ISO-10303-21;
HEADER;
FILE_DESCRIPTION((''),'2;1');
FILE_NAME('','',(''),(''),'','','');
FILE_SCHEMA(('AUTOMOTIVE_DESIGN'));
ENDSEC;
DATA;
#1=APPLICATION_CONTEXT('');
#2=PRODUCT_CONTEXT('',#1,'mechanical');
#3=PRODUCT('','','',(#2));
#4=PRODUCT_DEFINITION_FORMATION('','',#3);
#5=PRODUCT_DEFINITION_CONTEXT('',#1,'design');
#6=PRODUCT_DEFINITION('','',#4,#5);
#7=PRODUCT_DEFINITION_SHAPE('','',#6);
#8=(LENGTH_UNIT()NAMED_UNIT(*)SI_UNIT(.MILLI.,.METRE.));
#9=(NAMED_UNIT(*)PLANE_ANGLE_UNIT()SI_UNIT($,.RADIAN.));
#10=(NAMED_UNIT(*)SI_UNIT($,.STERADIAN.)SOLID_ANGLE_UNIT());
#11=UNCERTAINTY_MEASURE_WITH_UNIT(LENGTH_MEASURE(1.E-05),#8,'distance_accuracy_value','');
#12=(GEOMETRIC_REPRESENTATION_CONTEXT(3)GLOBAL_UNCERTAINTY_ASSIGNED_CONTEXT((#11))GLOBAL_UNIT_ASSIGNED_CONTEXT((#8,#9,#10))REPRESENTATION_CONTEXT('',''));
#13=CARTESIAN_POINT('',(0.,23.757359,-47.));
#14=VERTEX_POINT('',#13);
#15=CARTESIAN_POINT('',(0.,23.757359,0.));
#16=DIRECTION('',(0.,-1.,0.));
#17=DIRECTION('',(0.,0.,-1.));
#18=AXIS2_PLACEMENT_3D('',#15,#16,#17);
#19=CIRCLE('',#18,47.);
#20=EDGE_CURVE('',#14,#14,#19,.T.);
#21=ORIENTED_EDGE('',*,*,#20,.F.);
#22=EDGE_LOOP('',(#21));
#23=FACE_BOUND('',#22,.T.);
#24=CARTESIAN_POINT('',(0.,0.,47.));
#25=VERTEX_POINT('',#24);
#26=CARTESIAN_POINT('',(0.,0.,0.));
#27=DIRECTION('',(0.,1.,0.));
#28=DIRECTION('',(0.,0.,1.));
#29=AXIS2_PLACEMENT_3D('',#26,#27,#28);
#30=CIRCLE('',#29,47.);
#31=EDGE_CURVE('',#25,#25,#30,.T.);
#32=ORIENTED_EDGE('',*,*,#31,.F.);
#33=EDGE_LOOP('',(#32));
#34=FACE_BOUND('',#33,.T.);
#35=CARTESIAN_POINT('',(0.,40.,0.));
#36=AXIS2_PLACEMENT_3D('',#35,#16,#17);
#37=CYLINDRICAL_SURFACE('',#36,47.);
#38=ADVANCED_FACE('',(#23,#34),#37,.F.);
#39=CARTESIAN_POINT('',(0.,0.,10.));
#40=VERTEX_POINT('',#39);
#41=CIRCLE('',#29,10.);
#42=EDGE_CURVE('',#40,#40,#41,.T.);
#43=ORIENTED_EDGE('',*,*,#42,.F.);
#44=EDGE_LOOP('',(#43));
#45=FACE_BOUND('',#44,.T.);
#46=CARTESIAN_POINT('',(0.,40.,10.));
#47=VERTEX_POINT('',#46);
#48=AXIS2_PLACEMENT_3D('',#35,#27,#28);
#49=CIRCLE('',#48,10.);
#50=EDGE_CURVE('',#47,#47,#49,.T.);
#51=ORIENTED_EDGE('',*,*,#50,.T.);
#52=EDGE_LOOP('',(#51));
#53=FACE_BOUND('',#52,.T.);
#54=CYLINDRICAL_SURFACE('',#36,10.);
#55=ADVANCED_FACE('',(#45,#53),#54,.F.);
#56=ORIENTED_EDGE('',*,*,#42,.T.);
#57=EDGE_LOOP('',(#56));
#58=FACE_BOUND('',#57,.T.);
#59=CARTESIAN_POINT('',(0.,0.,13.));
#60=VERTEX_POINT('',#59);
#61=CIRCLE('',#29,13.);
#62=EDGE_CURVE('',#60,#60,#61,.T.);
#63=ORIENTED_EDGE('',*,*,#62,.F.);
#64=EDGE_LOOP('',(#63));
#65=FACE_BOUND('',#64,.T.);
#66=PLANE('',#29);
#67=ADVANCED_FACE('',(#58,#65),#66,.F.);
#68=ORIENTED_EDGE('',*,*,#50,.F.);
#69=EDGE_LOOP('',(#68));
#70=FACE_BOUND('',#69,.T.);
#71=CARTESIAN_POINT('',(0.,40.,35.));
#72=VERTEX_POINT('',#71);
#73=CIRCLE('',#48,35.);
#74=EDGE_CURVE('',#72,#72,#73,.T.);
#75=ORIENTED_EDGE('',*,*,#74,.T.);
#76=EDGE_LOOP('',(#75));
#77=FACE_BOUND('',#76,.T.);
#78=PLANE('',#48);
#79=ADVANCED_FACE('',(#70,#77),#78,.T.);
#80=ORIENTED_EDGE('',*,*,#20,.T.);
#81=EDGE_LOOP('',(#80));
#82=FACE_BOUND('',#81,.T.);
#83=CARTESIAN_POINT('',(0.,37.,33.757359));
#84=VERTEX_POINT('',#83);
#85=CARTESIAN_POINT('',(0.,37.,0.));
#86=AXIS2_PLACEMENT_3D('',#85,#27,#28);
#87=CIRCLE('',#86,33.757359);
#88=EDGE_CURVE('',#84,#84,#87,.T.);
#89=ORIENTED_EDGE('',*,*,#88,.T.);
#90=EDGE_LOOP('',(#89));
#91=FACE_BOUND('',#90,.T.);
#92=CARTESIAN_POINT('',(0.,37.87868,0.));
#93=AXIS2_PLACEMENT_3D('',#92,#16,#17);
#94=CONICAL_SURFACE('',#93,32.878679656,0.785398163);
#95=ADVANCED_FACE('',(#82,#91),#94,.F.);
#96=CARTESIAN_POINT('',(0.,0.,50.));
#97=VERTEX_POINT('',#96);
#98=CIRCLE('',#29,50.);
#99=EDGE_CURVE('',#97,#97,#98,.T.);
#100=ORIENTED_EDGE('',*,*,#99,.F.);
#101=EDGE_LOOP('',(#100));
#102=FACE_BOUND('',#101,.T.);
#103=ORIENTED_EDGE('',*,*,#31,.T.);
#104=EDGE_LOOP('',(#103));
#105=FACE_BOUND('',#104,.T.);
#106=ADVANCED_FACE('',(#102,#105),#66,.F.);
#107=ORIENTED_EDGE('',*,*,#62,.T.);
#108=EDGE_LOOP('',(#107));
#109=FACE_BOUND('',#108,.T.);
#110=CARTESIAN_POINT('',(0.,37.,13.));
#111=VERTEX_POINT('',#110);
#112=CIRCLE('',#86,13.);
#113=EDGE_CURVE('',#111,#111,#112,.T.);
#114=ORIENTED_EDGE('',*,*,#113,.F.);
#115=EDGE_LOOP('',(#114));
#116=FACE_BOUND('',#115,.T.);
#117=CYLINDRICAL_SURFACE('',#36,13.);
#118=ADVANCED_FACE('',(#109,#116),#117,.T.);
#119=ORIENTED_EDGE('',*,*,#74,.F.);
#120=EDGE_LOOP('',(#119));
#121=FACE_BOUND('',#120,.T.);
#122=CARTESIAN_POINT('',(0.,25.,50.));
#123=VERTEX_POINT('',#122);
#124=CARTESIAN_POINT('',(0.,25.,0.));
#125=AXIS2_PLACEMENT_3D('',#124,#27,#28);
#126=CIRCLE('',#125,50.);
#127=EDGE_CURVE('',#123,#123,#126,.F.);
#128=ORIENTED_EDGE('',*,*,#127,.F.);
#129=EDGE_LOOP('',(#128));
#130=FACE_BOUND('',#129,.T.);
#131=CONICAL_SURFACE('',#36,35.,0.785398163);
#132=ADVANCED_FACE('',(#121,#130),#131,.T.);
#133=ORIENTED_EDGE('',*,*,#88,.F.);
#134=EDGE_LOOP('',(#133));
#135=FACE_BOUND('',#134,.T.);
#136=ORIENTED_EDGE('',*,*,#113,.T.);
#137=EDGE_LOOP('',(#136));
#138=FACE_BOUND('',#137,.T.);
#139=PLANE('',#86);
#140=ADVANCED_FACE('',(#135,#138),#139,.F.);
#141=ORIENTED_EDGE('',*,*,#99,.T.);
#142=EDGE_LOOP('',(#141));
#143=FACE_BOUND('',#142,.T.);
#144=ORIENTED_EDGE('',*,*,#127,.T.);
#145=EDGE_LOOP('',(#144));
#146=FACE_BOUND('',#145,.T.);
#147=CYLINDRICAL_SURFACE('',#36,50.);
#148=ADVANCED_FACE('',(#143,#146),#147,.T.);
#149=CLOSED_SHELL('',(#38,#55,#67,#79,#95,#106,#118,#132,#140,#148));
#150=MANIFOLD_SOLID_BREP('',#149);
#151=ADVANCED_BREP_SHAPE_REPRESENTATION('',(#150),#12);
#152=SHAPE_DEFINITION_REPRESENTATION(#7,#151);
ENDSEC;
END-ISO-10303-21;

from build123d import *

# Parameters (mm, degrees)
CROQUIS1_R              = 50
CROQUIS1_R_2            = 10
SALIENTE_EXTRUIR1_DEPTH = 40
CHAFL_N1_SIZE           = 15
VACIADO1_T              = -3


with BuildPart() as part:
    # Croquis1 → Saliente-Extruir1 (new body)
    with BuildSketch(Plane(origin=(0, 0, 0), x_dir=(1, 0, 0), z_dir=(0, 1, 0))):
        with Locations(Location((0, 0, 0), (0, 0, 270))):
            Circle(CROQUIS1_R)
        with Locations(Location((0, 0, 0), (0, 0, 270))):
            Circle(CROQUIS1_R_2, mode=Mode.SUBTRACT)
    extrude(amount=SALIENTE_EXTRUIR1_DEPTH)

    # Chaflán1
    chafl_n1_edges = [part.edges().sort_by_distance(p)[0] for p in [
        (0, 40, -50),
    ]]
    chamfer(chafl_n1_edges, length=CHAFL_N1_SIZE)

    # Vaciado1
    vaciado1_openings = [part.faces().sort_by_distance(p)[0] for p in [
        (0, 0, -48.585786438),
    ]]
    offset(amount=VACIADO1_T, openings=vaciado1_openings, kind=Kind.INTERSECTION)


solid = part.part
